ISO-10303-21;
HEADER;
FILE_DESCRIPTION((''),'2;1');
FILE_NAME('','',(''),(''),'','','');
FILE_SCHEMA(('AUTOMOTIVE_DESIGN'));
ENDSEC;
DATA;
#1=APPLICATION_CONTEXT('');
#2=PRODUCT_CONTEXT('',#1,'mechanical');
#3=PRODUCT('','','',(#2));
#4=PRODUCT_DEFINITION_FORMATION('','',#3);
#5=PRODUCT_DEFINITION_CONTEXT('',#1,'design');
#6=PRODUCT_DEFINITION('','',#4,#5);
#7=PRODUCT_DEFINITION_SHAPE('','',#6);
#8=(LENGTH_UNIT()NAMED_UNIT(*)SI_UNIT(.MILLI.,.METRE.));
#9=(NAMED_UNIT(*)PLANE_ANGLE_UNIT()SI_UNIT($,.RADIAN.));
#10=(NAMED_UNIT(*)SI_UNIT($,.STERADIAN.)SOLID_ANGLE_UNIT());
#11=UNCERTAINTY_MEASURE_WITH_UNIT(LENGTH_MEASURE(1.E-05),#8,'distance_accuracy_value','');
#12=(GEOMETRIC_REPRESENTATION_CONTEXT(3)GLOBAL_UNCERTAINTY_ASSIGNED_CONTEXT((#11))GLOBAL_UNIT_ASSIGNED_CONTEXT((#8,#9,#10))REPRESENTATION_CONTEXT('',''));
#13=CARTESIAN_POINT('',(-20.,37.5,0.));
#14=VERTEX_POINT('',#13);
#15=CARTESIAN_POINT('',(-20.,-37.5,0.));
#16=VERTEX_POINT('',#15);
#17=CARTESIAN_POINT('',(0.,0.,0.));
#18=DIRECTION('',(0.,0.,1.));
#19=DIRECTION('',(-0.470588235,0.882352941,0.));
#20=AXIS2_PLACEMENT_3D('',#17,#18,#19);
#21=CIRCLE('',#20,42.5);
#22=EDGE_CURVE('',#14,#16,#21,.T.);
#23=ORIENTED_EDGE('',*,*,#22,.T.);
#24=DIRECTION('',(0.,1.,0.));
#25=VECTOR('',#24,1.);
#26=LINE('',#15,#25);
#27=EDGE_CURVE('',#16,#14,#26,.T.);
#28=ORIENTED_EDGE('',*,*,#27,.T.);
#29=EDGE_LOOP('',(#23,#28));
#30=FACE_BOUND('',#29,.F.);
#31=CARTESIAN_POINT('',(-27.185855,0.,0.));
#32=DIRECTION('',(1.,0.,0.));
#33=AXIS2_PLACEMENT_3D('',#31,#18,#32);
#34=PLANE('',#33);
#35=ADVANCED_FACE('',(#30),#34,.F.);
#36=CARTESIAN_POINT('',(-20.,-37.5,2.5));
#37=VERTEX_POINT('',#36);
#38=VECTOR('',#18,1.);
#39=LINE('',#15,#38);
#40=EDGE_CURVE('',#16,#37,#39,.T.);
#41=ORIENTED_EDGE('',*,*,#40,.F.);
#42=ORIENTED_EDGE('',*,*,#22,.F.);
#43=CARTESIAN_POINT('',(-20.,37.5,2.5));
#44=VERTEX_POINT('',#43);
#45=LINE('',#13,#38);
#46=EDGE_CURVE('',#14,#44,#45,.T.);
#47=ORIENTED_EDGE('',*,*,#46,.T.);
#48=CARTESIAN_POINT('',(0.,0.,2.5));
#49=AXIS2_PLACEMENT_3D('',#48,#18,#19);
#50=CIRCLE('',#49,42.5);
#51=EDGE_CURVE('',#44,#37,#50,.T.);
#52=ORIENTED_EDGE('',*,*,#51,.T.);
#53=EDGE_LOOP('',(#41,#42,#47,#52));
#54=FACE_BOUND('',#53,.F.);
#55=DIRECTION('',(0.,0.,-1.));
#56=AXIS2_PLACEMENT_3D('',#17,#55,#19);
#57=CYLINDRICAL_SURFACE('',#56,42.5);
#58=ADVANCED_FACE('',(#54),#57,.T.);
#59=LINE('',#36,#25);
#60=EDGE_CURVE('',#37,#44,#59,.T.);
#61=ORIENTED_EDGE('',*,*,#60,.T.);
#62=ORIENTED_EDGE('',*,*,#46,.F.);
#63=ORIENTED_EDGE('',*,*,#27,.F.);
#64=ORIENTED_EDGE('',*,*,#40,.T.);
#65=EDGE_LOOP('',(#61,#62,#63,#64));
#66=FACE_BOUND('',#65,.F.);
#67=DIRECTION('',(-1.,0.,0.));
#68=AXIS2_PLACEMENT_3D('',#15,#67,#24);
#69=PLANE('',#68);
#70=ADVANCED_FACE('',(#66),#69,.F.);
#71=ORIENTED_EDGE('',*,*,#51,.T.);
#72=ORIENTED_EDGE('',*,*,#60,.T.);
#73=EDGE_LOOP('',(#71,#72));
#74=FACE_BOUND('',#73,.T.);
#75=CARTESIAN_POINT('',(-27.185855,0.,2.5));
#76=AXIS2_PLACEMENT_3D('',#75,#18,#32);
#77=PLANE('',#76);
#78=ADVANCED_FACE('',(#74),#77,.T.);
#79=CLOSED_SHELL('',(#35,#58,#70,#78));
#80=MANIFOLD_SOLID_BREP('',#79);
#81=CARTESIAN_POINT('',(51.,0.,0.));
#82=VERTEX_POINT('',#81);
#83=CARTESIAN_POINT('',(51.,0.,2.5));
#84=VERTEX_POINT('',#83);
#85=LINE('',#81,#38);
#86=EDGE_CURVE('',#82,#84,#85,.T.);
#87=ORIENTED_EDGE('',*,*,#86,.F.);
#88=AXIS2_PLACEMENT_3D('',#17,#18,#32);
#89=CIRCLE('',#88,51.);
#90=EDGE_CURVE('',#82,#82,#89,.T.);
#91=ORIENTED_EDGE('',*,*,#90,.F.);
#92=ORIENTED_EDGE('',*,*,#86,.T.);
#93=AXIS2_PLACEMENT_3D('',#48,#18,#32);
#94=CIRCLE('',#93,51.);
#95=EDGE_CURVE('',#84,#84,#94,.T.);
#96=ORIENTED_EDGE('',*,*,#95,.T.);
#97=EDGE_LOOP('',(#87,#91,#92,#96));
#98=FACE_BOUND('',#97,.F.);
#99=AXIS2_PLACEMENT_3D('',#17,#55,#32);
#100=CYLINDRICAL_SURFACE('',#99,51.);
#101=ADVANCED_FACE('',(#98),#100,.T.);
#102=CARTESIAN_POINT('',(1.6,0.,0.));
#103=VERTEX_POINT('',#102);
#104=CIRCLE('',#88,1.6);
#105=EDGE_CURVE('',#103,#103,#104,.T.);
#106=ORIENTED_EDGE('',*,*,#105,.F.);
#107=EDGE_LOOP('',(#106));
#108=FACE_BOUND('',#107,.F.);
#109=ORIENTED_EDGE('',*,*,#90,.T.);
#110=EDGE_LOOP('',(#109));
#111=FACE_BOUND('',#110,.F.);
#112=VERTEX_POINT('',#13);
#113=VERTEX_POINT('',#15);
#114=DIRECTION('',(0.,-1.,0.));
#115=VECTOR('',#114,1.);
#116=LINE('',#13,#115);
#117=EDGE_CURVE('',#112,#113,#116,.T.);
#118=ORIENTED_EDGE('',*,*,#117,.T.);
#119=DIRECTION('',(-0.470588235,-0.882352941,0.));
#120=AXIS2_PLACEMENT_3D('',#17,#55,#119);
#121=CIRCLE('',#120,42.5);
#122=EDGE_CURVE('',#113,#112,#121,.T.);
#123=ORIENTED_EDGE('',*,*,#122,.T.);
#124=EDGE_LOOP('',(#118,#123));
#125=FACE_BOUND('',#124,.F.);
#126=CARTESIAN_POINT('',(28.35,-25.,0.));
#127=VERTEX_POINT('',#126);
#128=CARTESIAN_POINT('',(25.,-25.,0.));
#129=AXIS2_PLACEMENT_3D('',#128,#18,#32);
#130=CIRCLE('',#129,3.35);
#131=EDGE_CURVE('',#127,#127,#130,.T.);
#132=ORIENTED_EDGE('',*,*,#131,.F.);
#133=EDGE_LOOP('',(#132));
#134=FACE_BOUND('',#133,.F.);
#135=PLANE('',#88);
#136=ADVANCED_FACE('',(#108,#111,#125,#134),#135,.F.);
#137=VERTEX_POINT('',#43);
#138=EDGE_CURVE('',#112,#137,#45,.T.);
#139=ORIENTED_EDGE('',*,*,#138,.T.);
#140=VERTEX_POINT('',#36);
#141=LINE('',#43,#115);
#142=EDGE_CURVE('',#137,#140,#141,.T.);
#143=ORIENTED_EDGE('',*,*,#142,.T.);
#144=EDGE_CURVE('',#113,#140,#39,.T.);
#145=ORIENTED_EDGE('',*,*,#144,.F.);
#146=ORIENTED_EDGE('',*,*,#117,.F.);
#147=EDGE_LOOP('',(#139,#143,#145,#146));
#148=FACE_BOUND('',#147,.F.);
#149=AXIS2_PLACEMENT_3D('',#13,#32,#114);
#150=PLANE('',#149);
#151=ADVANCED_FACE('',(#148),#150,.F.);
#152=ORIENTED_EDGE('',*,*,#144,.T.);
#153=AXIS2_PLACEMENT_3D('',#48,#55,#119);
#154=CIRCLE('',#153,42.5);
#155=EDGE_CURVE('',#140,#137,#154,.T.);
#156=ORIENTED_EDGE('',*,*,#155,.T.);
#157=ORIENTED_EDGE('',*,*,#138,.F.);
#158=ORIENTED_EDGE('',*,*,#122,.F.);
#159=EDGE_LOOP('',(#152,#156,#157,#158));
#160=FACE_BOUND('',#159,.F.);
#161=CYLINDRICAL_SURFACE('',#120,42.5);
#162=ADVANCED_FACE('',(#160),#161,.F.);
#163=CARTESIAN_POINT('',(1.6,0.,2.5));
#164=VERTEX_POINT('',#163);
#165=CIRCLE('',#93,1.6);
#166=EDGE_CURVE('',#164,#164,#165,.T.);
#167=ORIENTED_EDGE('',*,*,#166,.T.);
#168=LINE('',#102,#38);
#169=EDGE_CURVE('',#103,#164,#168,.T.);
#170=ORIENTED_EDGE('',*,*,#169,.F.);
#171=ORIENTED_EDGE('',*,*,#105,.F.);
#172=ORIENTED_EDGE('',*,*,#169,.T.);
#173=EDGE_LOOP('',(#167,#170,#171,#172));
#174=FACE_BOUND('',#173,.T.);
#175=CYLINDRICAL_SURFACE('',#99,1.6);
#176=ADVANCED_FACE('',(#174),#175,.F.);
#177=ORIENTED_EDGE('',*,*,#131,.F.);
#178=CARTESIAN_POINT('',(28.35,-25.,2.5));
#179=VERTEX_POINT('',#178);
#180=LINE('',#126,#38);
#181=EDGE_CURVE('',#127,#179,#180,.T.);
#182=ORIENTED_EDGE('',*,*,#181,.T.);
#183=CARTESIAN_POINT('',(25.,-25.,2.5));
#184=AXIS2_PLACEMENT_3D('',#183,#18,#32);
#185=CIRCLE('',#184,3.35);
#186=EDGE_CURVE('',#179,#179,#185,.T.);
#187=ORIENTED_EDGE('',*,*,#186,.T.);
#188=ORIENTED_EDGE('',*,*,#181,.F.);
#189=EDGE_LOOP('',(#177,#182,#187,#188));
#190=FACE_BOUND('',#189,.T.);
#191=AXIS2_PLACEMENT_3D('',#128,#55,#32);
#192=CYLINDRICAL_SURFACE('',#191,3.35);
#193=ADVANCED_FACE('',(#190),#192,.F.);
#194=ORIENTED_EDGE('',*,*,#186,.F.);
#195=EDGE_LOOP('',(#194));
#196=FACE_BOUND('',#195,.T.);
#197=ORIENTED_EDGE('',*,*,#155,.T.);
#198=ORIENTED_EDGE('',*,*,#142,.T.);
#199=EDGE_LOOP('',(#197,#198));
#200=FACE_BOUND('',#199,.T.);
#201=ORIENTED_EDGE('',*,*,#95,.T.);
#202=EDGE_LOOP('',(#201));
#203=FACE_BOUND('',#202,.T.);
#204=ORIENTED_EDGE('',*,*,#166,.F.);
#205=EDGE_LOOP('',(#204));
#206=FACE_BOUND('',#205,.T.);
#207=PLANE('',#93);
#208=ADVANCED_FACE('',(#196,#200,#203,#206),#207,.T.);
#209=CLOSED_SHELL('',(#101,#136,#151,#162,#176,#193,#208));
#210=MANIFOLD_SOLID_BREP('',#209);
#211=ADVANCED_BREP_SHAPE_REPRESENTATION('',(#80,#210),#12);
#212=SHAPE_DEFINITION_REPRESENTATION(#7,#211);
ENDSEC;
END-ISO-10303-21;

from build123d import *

# Parameters (mm, degrees)
F0_R     = 51
F0_R_2   = 3.35
F0_R_3   = 1.6
F1_DEPTH = 2.5
F2_DEPTH = 2.5


with BuildPart() as f1:
    # F0 (on Top) → F1 (new body)
    with BuildSketch(Plane.XY):
        Circle(F0_R)
        with BuildLine():
            ThreePointArc((-20, 37.5), (21.8660696057, 36.4434493428), (42.5, 0))
            ThreePointArc((42.5, 0), (21.8660696057, -36.4434493428), (-20, -37.5))
            ThreePointArc((-20, -37.5), (-42.5, 0), (-20, 37.5))
        make_face(mode=Mode.SUBTRACT)
        with BuildLine():
            ThreePointArc((-20, -37.5), (21.8660696057, -36.4434493428), (42.5, 0))
            ThreePointArc((42.5, 0), (21.8660696057, 36.4434493428), (-20, 37.5))
            Line((-20, 37.5), (-20, -37.5))
        make_face()
        with Locations((25, -25)):
            Circle(F0_R_2, mode=Mode.SUBTRACT)
        Circle(F0_R_3, mode=Mode.SUBTRACT)
    extrude(amount=F1_DEPTH)


with BuildPart() as f2:
    # F0 (on Top) → F2 (new body)
    with BuildSketch(Plane.XY):
        with BuildLine():
            Line((-20, -37.5), (-20, 37.5))
            ThreePointArc((-20, 37.5), (-42.5, 0), (-20, -37.5))
        make_face()
    extrude(amount=F2_DEPTH)


solid = Compound([f1.part, f2.part])
